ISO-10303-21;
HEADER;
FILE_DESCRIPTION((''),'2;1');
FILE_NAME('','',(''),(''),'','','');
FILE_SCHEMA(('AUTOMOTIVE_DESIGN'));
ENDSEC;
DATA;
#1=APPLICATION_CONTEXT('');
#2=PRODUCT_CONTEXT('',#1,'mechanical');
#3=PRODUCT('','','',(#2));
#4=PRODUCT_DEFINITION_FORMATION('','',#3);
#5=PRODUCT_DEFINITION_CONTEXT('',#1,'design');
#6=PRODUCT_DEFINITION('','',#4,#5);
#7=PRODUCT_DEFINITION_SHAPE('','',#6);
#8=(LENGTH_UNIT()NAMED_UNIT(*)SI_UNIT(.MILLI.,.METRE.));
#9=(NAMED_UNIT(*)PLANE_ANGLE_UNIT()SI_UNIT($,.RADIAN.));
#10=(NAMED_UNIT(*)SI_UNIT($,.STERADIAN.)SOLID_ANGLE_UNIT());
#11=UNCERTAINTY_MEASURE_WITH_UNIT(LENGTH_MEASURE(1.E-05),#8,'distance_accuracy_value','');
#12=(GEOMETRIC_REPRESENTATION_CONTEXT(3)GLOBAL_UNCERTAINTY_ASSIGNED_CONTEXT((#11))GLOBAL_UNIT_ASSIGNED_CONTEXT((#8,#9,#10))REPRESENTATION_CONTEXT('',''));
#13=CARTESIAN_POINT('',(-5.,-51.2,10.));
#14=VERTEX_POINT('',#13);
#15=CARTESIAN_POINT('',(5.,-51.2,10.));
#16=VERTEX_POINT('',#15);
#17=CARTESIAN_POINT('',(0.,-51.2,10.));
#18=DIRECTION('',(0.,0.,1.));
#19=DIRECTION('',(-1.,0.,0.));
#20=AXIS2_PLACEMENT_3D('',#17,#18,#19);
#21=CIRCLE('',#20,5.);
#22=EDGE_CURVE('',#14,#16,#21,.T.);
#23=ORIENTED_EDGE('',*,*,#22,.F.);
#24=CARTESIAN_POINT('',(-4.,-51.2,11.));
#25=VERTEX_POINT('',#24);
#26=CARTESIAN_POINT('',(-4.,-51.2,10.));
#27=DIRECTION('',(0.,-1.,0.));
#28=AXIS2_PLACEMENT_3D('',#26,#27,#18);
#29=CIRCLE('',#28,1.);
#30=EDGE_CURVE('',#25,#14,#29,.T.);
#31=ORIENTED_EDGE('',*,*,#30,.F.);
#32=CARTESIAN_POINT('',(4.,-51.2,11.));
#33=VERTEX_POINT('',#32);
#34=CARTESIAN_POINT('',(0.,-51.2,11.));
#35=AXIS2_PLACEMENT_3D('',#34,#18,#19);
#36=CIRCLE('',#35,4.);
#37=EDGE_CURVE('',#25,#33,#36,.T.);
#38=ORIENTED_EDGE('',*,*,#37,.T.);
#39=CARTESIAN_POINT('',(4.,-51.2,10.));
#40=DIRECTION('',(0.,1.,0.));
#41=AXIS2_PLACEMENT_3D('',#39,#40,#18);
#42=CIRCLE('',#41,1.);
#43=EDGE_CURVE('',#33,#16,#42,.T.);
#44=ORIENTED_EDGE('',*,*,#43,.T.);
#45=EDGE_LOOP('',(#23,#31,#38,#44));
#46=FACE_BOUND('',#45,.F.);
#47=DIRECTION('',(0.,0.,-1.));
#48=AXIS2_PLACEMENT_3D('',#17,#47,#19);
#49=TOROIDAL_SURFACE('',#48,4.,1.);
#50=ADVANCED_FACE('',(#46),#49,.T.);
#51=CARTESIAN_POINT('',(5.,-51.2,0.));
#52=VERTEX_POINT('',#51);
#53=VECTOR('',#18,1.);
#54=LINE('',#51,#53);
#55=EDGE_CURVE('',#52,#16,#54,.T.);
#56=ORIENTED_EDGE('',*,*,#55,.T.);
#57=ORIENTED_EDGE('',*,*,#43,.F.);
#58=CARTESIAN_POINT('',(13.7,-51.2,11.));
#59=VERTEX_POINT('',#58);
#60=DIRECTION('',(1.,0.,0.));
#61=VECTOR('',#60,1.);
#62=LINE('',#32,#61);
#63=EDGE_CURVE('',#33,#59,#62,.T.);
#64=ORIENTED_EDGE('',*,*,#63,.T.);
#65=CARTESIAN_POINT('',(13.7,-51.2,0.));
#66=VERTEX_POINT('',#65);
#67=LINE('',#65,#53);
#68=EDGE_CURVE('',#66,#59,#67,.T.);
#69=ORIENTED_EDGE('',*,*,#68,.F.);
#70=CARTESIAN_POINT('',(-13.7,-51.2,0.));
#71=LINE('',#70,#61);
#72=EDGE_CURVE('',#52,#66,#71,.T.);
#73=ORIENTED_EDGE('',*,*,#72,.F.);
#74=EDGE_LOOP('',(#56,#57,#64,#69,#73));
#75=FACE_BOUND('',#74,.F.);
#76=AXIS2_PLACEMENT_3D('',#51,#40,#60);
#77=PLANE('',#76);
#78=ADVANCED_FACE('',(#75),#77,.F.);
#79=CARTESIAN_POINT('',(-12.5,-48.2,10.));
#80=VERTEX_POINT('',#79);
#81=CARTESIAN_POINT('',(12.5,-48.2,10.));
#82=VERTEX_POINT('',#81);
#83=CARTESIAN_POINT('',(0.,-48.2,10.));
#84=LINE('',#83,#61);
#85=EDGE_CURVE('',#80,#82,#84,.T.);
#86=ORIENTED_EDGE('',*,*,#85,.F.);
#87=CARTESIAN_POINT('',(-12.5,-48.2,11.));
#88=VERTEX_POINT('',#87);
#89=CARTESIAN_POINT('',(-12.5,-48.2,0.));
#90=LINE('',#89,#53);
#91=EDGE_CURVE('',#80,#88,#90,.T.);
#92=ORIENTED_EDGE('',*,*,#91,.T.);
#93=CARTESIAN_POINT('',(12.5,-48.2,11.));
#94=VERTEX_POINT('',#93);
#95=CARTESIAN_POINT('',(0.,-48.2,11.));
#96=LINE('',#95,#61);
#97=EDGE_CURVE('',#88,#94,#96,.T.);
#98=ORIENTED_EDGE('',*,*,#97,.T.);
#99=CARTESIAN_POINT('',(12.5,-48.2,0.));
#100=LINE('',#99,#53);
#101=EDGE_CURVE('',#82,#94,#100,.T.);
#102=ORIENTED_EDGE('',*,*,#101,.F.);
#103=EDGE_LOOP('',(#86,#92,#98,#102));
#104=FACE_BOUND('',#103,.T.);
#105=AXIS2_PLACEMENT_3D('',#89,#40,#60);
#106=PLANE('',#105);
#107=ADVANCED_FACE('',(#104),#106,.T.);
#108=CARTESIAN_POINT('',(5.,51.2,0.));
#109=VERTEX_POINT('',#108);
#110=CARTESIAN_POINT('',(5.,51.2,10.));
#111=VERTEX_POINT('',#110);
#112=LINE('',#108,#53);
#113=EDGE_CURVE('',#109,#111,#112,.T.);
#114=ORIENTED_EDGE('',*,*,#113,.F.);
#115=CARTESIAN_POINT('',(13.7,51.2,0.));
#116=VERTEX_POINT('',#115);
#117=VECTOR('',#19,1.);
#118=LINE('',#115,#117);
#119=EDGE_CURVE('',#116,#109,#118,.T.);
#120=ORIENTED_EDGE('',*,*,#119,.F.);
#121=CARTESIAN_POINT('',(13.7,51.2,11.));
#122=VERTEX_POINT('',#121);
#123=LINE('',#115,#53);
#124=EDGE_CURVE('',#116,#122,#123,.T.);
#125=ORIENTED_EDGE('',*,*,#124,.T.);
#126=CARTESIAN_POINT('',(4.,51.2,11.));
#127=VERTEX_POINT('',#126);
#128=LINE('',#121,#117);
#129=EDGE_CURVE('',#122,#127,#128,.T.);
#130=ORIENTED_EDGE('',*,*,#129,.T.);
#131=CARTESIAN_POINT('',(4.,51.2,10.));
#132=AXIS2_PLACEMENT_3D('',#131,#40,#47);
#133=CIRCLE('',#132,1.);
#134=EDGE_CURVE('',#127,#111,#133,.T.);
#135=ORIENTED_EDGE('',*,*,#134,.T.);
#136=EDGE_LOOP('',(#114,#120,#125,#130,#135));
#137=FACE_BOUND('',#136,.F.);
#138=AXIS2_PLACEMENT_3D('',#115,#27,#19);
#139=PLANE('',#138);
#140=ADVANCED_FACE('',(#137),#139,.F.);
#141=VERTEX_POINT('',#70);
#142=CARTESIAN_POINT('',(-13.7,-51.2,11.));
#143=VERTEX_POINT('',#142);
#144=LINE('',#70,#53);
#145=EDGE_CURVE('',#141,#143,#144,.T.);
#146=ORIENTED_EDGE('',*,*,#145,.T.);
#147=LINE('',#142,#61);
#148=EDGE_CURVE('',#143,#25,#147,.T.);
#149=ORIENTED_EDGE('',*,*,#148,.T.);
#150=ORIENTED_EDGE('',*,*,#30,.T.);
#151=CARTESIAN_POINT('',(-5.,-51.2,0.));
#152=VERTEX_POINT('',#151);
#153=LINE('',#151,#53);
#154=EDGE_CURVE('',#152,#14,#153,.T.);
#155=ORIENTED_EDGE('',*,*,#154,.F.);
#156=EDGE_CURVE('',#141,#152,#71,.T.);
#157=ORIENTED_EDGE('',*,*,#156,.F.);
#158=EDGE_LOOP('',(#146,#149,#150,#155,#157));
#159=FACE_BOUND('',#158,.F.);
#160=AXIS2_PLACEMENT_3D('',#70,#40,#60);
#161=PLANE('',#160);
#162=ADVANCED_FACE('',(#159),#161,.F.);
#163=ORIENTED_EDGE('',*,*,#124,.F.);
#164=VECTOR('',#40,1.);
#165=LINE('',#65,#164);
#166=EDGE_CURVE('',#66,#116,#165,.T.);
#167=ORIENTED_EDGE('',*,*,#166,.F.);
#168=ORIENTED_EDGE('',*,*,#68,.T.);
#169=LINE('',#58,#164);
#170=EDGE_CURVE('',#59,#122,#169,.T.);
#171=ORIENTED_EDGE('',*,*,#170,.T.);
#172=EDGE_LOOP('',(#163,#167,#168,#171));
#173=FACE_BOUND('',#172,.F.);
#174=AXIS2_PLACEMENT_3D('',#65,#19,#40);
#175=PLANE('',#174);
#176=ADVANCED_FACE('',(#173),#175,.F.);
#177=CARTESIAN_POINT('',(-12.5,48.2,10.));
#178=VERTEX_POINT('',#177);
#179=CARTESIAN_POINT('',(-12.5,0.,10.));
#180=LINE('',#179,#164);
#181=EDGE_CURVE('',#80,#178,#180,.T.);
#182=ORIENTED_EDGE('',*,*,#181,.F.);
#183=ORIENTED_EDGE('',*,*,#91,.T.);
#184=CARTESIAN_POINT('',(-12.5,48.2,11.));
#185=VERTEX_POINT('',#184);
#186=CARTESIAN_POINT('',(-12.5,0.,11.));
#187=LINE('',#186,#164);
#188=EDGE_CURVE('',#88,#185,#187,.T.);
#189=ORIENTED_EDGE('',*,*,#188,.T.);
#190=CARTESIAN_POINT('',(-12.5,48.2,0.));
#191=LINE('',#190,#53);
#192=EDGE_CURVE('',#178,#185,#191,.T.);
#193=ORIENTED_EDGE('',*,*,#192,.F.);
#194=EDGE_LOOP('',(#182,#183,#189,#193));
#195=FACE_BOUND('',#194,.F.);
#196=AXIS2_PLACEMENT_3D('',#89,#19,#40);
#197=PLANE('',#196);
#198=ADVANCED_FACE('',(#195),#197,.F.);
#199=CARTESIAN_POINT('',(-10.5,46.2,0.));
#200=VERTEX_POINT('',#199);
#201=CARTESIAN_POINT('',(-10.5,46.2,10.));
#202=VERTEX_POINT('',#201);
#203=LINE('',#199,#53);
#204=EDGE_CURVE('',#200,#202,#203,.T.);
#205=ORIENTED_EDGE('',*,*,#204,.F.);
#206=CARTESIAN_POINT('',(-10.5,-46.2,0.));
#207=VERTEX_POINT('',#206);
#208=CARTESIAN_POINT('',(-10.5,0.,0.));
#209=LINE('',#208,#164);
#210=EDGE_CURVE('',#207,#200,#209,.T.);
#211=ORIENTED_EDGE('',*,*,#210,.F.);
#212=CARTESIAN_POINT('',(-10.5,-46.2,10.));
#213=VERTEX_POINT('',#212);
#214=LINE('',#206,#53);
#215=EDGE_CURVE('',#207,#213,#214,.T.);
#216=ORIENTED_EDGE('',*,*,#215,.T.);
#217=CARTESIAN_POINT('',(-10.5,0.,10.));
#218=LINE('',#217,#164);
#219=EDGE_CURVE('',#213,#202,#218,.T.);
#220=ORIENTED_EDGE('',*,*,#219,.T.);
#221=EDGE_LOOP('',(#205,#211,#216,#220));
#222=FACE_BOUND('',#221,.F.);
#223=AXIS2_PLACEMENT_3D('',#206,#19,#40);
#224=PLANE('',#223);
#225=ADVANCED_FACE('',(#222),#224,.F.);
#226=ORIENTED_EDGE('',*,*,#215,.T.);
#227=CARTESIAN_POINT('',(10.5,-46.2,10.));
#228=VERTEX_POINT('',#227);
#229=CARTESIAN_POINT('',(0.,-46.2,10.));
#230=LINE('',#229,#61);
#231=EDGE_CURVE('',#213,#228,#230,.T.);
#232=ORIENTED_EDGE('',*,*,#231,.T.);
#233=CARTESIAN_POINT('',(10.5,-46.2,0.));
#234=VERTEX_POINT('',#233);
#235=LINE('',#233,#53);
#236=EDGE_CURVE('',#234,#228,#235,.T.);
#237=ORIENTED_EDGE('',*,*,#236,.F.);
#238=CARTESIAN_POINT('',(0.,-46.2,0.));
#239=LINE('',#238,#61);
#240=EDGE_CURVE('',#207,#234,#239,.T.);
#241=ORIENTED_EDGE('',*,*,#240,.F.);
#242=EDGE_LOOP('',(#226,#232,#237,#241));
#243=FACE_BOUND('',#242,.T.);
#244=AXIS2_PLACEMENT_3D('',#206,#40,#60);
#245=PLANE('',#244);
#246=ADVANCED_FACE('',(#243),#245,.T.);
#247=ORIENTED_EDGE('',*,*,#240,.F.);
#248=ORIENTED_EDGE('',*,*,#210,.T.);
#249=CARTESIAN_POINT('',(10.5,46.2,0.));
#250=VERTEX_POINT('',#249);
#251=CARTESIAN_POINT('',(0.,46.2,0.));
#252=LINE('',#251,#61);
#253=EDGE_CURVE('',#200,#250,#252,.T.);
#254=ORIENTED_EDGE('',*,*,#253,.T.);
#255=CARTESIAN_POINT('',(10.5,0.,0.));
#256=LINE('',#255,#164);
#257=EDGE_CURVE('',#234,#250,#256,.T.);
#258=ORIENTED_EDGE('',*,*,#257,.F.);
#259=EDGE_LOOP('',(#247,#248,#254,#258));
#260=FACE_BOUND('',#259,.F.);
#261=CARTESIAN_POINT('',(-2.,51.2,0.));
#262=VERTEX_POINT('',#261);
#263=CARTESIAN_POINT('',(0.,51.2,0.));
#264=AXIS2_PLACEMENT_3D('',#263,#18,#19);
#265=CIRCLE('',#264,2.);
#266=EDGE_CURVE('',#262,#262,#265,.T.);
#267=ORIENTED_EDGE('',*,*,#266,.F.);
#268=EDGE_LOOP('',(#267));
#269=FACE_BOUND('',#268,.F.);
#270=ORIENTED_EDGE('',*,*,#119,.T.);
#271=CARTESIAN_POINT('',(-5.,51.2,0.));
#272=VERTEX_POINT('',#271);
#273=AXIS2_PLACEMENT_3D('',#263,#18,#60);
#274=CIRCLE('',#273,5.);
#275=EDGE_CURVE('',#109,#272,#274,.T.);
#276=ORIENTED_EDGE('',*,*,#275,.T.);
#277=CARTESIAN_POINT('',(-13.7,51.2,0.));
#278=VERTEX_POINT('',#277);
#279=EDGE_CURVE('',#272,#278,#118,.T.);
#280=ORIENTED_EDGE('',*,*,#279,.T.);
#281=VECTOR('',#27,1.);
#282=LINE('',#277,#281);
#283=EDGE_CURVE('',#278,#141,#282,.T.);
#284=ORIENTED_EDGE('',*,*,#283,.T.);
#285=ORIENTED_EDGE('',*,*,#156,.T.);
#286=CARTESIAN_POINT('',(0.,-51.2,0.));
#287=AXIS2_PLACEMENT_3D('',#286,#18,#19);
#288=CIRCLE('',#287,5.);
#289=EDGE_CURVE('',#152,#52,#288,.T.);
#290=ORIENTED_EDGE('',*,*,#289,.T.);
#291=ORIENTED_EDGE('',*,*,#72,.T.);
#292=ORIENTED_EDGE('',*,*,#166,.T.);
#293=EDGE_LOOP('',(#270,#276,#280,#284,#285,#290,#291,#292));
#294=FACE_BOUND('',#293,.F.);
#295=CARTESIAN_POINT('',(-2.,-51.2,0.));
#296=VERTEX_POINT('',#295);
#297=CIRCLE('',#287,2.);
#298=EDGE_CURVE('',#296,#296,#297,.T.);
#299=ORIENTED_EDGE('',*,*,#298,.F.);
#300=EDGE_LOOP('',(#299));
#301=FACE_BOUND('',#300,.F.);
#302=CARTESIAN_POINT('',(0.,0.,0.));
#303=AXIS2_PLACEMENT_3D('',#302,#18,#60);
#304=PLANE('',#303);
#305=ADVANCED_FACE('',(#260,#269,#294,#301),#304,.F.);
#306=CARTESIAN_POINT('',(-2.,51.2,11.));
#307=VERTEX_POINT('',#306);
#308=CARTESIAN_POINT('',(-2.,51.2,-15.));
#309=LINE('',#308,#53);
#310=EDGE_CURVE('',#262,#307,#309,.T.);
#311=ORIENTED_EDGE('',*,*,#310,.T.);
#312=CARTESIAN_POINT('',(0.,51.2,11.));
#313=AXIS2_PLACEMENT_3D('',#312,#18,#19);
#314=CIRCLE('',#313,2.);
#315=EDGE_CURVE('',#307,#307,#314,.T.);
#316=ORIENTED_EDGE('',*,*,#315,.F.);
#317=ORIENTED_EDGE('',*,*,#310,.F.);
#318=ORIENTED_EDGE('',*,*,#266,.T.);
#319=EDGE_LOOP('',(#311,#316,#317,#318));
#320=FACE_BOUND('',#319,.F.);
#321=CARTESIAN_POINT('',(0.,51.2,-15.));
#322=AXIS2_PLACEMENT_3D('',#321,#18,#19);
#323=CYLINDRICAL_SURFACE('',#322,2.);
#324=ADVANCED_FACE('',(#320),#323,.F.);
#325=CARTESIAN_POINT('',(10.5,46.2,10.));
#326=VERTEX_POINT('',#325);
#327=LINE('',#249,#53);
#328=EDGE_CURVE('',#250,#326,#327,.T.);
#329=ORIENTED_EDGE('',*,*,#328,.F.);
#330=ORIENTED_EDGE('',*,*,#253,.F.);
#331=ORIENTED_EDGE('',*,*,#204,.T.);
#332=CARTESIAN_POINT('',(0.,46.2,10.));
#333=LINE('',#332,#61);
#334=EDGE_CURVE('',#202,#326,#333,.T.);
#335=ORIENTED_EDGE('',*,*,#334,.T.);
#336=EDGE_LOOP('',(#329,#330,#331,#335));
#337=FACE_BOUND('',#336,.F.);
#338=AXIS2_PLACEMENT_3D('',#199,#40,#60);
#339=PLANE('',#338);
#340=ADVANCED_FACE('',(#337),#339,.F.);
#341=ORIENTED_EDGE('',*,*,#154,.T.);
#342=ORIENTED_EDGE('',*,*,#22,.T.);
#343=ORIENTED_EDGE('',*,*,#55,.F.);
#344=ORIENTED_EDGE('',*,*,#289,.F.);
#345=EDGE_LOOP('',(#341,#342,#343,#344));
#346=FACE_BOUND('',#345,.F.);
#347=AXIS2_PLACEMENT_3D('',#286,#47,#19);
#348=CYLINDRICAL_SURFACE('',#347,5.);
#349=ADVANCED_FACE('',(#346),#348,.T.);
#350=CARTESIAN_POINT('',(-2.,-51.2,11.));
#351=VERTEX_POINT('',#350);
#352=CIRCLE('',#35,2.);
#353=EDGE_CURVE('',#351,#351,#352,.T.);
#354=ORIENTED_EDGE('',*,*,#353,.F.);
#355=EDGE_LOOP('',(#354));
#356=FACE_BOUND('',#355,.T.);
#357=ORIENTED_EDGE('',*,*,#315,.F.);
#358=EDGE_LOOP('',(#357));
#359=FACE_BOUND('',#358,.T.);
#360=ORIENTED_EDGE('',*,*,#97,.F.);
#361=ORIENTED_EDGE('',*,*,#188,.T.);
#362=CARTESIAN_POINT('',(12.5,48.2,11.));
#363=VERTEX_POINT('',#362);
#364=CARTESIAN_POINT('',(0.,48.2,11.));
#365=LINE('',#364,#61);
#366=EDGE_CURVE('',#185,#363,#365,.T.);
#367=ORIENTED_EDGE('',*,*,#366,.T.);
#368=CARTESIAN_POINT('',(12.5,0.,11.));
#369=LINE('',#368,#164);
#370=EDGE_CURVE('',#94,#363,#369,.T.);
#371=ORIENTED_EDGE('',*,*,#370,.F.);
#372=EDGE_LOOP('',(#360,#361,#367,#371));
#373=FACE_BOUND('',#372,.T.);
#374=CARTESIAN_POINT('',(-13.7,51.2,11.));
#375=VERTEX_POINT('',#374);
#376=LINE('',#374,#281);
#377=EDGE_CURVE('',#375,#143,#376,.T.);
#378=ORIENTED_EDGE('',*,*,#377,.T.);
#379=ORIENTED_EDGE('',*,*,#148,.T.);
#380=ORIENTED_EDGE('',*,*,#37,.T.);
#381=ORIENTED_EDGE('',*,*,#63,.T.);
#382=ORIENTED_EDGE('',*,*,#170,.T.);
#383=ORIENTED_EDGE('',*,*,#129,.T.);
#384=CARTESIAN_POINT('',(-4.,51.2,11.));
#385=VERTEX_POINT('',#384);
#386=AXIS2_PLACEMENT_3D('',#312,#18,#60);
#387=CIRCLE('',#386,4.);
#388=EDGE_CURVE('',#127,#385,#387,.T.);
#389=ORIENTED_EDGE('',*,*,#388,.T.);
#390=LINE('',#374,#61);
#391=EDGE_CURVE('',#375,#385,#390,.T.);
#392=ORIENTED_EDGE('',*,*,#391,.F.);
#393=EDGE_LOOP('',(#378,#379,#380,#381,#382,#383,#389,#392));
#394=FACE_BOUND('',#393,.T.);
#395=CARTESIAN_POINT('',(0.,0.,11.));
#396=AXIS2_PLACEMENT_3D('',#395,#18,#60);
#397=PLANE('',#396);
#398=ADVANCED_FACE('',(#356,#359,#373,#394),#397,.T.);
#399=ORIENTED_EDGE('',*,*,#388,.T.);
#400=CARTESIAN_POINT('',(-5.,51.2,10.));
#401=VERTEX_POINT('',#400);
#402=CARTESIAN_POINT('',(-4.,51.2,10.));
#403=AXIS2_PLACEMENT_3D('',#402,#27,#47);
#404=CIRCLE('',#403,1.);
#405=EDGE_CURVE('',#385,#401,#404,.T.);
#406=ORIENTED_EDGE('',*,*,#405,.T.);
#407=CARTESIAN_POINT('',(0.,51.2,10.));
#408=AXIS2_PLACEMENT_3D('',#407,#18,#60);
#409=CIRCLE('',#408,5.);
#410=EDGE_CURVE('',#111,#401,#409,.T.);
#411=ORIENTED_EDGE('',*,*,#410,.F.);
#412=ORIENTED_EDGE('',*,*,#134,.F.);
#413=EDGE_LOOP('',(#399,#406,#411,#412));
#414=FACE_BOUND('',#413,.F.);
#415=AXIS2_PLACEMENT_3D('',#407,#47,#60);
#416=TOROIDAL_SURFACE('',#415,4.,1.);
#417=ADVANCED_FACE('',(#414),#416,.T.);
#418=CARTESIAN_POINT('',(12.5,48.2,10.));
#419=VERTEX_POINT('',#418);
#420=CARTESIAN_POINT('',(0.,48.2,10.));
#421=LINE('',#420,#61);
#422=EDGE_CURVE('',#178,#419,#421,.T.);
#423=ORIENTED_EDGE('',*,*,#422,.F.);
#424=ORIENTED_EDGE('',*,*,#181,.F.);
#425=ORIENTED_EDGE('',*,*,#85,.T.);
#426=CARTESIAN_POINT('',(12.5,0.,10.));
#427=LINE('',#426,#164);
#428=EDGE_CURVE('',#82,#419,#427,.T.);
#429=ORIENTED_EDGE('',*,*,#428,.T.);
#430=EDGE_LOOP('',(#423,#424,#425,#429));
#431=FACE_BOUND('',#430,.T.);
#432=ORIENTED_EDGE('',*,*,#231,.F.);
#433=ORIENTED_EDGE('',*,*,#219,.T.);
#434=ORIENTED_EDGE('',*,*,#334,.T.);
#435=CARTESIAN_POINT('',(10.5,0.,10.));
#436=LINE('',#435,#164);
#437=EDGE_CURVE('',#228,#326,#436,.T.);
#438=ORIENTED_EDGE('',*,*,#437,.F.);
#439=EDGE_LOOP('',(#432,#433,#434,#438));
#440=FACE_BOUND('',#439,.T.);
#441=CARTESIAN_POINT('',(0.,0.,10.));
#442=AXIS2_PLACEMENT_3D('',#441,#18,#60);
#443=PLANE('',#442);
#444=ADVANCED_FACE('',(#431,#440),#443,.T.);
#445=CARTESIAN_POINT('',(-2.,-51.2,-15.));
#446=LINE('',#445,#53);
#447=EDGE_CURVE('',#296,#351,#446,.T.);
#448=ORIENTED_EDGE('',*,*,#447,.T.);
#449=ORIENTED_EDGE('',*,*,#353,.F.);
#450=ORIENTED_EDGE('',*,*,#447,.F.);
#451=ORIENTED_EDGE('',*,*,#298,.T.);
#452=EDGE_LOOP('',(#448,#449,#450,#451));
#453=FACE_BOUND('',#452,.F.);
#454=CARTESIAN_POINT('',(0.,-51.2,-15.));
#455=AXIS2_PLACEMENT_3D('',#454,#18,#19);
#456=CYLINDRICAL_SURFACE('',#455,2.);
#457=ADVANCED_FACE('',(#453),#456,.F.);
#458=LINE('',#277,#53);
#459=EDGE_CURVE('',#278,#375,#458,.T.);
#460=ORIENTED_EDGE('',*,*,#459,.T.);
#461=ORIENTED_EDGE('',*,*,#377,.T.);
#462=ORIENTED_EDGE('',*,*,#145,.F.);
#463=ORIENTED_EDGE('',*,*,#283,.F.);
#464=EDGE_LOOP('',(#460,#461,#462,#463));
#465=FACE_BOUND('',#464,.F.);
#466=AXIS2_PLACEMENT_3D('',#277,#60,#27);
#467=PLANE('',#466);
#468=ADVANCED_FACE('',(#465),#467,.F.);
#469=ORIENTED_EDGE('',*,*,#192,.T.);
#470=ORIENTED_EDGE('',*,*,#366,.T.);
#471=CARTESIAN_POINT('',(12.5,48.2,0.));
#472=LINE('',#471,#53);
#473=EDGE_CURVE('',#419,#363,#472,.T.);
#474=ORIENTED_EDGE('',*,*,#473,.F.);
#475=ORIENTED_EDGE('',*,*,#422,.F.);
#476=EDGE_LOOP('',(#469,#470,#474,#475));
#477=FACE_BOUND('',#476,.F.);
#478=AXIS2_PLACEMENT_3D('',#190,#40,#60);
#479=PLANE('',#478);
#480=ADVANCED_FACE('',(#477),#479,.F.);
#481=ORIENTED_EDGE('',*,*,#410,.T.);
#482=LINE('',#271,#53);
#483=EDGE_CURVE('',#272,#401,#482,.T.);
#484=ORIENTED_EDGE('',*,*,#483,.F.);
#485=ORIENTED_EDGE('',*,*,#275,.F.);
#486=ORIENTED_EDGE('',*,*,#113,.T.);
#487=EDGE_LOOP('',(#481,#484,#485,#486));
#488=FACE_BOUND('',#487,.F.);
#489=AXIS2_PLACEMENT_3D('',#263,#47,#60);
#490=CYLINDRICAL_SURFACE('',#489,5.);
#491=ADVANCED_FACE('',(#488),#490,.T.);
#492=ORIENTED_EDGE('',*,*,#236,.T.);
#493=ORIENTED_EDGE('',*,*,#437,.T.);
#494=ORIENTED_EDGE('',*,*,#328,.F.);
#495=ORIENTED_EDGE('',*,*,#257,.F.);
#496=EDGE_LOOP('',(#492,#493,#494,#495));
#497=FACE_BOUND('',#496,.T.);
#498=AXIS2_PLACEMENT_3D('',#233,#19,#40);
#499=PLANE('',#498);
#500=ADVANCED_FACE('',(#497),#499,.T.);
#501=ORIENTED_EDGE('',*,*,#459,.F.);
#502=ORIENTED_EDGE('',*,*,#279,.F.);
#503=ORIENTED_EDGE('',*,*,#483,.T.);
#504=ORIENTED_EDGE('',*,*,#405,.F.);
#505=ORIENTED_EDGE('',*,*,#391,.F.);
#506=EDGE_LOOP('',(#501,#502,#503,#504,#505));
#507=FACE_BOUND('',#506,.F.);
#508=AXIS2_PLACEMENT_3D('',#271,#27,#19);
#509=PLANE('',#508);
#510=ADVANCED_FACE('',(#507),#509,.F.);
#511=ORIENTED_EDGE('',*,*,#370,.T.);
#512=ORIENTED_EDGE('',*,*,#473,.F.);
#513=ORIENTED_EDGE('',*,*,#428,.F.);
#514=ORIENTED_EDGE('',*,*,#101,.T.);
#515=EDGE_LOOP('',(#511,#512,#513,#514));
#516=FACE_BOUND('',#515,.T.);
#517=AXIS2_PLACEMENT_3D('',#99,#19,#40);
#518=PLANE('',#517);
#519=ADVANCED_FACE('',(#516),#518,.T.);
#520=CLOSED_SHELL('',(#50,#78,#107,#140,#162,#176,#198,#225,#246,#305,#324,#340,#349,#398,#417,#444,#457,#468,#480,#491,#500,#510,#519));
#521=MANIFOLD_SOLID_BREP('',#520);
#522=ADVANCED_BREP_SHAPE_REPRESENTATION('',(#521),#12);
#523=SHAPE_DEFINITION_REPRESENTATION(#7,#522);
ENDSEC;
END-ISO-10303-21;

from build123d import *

# Parameters (mm, degrees)
F0_W     = 25
F0_H     = 96.4
F0_W_2   = 21
F0_H_2   = 92.4
F1_DEPTH = 10
F2_DEPTH = 11
F3_D     = 4
F3_DEPTH = 15
F4_R     = 1


with BuildPart() as f1:
    # F0 (on Top) → F1 (new body)
    with BuildSketch(Plane.XY):
        Rectangle(F0_W, F0_H)
        Rectangle(F0_W_2, F0_H_2, mode=Mode.SUBTRACT)
    extrude(amount=F1_DEPTH)

    # F0 (on Top) → F2 (join)
    with BuildSketch(Plane.XY):
        Polygon((-5, 51.2), (-13.7, 51.2), (-13.7, -51.2), (-5, -51.2), (5, -51.2), (13.7, -51.2), (13.7, 51.2), (5, 51.2), align=None)
        Rectangle(F0_W, F0_H, mode=Mode.SUBTRACT)
        with BuildLine():
            Line((5, -51.2), (-5, -51.2))
            ThreePointArc((-5, -51.2), (0, -56.2), (5, -51.2))
        make_face()
        with BuildLine():
            ThreePointArc((5, 51.2), (0, 56.2), (-5, 51.2))
            Line((-5, 51.2), (5, 51.2))
        make_face()
    extrude(amount=F2_DEPTH)

    # F3
    with Locations(Plane(origin=(0, 0, 0), x_dir=(1, 0, 0), z_dir=(0, 0, -1))):
        with Locations((0, 51.2), (0, -51.2)):
            Hole(F3_D / 2, depth=F3_DEPTH)

    # F4
    f4_edges = [f1.edges().sort_by_distance(p)[0] for p in [
        (0, 56.2, 11),
        (0, -56.2, 11),
    ]]
    fillet(f4_edges, radius=F4_R)


solid = f1.part
